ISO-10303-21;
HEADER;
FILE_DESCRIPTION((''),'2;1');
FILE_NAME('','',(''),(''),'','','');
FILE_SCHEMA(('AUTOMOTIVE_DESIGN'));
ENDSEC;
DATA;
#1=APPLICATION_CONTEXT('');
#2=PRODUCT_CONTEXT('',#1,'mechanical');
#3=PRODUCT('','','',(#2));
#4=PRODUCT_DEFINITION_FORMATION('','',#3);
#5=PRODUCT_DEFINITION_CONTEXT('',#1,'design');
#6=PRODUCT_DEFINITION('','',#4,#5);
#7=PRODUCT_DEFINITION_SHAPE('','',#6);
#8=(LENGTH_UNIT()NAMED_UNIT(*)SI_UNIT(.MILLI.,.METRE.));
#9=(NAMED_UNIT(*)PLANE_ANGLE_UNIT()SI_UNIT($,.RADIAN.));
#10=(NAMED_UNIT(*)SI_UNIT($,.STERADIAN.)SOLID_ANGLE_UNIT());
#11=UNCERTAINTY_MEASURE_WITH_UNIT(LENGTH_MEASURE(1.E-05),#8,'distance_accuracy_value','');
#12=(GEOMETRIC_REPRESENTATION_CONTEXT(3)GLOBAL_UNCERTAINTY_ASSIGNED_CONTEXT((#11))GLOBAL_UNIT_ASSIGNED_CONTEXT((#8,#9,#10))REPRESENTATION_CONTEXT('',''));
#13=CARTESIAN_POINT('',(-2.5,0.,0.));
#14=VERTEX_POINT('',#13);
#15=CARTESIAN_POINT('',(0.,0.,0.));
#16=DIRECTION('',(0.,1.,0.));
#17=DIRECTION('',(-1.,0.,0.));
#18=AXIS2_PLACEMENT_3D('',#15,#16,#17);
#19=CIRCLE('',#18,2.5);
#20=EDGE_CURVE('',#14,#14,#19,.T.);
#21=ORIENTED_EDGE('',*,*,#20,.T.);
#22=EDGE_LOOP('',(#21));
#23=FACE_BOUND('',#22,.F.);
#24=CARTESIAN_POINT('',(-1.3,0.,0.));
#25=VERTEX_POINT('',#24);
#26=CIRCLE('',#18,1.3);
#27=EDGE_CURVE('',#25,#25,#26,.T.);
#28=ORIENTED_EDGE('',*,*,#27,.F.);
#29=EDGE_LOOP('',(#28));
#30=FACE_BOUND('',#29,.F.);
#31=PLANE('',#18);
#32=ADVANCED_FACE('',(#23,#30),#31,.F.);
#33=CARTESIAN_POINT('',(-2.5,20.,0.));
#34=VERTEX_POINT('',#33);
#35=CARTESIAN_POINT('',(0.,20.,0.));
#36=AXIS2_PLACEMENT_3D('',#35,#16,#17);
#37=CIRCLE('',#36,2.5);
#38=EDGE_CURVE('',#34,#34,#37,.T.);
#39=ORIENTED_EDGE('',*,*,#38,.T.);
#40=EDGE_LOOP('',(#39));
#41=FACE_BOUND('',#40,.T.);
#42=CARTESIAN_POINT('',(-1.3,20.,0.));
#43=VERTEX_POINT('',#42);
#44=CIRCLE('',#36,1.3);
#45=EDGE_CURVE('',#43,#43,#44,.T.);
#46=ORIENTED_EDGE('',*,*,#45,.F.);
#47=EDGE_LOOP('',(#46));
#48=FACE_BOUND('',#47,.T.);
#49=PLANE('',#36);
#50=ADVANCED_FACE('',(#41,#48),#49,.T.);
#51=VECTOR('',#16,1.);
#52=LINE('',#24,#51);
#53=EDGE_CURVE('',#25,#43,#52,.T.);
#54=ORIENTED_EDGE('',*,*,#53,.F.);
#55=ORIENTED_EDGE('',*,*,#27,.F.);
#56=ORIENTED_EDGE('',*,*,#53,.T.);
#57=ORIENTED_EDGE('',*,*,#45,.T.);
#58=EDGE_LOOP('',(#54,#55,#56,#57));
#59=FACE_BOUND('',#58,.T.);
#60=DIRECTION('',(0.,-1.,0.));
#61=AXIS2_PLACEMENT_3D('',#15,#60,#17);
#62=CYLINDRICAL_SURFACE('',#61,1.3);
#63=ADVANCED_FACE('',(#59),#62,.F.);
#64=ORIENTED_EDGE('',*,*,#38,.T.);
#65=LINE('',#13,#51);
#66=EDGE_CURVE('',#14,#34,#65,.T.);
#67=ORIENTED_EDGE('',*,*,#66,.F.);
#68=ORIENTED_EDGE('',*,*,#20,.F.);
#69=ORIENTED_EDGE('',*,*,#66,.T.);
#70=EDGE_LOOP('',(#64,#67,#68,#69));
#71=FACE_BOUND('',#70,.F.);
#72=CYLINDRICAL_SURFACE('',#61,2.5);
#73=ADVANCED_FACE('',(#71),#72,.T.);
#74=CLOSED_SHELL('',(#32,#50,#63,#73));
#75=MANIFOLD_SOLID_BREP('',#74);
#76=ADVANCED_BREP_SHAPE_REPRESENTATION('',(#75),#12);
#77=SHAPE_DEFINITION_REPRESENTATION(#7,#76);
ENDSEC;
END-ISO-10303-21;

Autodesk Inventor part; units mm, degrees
ref_plane "YZ Plane" through (0, 0, 0) normal (1, 0, 0) x (0, 1, 0)
ref_plane "XZ Plane" through (0, 0, 0) normal (0, 1, 0) x (-1, 0, 0)
ref_plane "XY Plane" through (0, 0, 0) normal (0, 0, 1) x (1, 0, 0)
sketch "スケッチ1" plane through (0, 0, 0) normal (0, 1, 0) x (-1, 0, 0)
  circle A0 centre (0, 0) radius 2.5
  circle A1 centre (0, 0) radius 1.3
  dimension "d0" = 2.6
  dimension "d1" = 5
extrude "押し出し1" add sketch "スケッチ1" along normal blind 20
properties part number "Spacer_M2.6x20"
